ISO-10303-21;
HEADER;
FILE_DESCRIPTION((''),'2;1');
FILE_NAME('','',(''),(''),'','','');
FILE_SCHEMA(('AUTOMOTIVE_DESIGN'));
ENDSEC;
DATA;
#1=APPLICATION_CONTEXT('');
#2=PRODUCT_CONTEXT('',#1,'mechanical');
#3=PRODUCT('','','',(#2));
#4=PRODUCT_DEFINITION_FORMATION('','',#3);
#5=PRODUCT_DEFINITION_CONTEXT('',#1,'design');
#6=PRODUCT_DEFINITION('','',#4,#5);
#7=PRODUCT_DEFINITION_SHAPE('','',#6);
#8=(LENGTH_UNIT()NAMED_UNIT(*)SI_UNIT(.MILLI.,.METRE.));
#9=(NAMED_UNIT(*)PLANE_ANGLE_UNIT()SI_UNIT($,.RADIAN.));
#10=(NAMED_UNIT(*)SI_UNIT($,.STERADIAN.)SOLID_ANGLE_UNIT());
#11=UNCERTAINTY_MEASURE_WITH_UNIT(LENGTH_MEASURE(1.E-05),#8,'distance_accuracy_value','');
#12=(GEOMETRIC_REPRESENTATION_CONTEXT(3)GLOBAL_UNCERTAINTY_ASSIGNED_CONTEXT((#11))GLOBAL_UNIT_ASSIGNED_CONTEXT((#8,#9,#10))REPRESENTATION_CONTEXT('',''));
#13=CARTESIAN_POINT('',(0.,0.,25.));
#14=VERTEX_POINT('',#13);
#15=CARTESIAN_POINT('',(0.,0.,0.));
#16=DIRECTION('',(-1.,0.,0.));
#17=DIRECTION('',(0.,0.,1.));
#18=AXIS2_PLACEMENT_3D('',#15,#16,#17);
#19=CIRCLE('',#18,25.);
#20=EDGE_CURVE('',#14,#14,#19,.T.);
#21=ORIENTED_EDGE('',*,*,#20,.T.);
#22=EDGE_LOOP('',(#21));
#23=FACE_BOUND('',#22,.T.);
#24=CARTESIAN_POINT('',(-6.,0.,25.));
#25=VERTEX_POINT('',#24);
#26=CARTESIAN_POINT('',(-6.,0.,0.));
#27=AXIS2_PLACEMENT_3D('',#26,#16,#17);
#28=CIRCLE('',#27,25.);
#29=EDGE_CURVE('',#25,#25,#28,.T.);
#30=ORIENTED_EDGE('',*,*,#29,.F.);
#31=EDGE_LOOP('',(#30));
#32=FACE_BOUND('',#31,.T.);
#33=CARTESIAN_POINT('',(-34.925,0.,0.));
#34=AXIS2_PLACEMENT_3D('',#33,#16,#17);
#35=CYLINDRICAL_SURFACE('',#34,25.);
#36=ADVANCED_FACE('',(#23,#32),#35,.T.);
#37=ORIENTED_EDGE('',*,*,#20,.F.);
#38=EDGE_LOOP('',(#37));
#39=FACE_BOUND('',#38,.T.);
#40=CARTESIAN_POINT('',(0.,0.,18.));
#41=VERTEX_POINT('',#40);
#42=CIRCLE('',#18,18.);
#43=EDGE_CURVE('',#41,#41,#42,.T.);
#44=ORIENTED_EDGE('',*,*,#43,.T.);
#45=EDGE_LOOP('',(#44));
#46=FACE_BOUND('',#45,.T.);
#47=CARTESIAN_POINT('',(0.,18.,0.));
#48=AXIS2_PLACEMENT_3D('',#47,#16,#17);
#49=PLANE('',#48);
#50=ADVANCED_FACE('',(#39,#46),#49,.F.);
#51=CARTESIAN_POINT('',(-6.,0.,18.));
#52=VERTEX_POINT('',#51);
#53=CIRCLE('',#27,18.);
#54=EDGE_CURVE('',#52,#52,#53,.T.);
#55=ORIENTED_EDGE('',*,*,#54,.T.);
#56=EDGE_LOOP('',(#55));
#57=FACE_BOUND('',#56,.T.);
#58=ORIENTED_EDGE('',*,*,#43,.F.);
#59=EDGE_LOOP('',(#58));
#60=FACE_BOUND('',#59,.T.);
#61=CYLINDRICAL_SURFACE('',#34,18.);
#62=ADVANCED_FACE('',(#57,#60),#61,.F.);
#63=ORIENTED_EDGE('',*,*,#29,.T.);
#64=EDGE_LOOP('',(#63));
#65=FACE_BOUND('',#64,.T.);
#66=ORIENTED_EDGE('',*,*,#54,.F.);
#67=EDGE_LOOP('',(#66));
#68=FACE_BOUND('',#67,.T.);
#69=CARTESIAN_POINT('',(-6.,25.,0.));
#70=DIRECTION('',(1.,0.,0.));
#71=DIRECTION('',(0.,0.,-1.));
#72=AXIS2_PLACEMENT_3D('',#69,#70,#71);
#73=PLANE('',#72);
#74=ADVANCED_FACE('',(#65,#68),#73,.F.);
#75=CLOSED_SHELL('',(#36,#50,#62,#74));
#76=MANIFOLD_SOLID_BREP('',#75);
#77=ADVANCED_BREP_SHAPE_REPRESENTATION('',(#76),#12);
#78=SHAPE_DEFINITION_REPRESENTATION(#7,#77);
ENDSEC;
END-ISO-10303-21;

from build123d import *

# Parameters (mm, degrees)
SKETCH1_W = 6
SKETCH1_H = 7


with BuildPart() as part:
    # Sketch1 → Base-Revolve (revolve)
    with BuildSketch(Plane.XY, mode=Mode.PRIVATE) as base_revolve_sk:
        with Locations((-3, 21.5)):
            Rectangle(SKETCH1_W, SKETCH1_H)
    revolve(base_revolve_sk.sketch.rotate(Axis((-34.925, 0, 0), (1, 0, 0)), 90), axis=Axis((-34.925, 0, 0), (1, 0, 0)))


solid = part.part
